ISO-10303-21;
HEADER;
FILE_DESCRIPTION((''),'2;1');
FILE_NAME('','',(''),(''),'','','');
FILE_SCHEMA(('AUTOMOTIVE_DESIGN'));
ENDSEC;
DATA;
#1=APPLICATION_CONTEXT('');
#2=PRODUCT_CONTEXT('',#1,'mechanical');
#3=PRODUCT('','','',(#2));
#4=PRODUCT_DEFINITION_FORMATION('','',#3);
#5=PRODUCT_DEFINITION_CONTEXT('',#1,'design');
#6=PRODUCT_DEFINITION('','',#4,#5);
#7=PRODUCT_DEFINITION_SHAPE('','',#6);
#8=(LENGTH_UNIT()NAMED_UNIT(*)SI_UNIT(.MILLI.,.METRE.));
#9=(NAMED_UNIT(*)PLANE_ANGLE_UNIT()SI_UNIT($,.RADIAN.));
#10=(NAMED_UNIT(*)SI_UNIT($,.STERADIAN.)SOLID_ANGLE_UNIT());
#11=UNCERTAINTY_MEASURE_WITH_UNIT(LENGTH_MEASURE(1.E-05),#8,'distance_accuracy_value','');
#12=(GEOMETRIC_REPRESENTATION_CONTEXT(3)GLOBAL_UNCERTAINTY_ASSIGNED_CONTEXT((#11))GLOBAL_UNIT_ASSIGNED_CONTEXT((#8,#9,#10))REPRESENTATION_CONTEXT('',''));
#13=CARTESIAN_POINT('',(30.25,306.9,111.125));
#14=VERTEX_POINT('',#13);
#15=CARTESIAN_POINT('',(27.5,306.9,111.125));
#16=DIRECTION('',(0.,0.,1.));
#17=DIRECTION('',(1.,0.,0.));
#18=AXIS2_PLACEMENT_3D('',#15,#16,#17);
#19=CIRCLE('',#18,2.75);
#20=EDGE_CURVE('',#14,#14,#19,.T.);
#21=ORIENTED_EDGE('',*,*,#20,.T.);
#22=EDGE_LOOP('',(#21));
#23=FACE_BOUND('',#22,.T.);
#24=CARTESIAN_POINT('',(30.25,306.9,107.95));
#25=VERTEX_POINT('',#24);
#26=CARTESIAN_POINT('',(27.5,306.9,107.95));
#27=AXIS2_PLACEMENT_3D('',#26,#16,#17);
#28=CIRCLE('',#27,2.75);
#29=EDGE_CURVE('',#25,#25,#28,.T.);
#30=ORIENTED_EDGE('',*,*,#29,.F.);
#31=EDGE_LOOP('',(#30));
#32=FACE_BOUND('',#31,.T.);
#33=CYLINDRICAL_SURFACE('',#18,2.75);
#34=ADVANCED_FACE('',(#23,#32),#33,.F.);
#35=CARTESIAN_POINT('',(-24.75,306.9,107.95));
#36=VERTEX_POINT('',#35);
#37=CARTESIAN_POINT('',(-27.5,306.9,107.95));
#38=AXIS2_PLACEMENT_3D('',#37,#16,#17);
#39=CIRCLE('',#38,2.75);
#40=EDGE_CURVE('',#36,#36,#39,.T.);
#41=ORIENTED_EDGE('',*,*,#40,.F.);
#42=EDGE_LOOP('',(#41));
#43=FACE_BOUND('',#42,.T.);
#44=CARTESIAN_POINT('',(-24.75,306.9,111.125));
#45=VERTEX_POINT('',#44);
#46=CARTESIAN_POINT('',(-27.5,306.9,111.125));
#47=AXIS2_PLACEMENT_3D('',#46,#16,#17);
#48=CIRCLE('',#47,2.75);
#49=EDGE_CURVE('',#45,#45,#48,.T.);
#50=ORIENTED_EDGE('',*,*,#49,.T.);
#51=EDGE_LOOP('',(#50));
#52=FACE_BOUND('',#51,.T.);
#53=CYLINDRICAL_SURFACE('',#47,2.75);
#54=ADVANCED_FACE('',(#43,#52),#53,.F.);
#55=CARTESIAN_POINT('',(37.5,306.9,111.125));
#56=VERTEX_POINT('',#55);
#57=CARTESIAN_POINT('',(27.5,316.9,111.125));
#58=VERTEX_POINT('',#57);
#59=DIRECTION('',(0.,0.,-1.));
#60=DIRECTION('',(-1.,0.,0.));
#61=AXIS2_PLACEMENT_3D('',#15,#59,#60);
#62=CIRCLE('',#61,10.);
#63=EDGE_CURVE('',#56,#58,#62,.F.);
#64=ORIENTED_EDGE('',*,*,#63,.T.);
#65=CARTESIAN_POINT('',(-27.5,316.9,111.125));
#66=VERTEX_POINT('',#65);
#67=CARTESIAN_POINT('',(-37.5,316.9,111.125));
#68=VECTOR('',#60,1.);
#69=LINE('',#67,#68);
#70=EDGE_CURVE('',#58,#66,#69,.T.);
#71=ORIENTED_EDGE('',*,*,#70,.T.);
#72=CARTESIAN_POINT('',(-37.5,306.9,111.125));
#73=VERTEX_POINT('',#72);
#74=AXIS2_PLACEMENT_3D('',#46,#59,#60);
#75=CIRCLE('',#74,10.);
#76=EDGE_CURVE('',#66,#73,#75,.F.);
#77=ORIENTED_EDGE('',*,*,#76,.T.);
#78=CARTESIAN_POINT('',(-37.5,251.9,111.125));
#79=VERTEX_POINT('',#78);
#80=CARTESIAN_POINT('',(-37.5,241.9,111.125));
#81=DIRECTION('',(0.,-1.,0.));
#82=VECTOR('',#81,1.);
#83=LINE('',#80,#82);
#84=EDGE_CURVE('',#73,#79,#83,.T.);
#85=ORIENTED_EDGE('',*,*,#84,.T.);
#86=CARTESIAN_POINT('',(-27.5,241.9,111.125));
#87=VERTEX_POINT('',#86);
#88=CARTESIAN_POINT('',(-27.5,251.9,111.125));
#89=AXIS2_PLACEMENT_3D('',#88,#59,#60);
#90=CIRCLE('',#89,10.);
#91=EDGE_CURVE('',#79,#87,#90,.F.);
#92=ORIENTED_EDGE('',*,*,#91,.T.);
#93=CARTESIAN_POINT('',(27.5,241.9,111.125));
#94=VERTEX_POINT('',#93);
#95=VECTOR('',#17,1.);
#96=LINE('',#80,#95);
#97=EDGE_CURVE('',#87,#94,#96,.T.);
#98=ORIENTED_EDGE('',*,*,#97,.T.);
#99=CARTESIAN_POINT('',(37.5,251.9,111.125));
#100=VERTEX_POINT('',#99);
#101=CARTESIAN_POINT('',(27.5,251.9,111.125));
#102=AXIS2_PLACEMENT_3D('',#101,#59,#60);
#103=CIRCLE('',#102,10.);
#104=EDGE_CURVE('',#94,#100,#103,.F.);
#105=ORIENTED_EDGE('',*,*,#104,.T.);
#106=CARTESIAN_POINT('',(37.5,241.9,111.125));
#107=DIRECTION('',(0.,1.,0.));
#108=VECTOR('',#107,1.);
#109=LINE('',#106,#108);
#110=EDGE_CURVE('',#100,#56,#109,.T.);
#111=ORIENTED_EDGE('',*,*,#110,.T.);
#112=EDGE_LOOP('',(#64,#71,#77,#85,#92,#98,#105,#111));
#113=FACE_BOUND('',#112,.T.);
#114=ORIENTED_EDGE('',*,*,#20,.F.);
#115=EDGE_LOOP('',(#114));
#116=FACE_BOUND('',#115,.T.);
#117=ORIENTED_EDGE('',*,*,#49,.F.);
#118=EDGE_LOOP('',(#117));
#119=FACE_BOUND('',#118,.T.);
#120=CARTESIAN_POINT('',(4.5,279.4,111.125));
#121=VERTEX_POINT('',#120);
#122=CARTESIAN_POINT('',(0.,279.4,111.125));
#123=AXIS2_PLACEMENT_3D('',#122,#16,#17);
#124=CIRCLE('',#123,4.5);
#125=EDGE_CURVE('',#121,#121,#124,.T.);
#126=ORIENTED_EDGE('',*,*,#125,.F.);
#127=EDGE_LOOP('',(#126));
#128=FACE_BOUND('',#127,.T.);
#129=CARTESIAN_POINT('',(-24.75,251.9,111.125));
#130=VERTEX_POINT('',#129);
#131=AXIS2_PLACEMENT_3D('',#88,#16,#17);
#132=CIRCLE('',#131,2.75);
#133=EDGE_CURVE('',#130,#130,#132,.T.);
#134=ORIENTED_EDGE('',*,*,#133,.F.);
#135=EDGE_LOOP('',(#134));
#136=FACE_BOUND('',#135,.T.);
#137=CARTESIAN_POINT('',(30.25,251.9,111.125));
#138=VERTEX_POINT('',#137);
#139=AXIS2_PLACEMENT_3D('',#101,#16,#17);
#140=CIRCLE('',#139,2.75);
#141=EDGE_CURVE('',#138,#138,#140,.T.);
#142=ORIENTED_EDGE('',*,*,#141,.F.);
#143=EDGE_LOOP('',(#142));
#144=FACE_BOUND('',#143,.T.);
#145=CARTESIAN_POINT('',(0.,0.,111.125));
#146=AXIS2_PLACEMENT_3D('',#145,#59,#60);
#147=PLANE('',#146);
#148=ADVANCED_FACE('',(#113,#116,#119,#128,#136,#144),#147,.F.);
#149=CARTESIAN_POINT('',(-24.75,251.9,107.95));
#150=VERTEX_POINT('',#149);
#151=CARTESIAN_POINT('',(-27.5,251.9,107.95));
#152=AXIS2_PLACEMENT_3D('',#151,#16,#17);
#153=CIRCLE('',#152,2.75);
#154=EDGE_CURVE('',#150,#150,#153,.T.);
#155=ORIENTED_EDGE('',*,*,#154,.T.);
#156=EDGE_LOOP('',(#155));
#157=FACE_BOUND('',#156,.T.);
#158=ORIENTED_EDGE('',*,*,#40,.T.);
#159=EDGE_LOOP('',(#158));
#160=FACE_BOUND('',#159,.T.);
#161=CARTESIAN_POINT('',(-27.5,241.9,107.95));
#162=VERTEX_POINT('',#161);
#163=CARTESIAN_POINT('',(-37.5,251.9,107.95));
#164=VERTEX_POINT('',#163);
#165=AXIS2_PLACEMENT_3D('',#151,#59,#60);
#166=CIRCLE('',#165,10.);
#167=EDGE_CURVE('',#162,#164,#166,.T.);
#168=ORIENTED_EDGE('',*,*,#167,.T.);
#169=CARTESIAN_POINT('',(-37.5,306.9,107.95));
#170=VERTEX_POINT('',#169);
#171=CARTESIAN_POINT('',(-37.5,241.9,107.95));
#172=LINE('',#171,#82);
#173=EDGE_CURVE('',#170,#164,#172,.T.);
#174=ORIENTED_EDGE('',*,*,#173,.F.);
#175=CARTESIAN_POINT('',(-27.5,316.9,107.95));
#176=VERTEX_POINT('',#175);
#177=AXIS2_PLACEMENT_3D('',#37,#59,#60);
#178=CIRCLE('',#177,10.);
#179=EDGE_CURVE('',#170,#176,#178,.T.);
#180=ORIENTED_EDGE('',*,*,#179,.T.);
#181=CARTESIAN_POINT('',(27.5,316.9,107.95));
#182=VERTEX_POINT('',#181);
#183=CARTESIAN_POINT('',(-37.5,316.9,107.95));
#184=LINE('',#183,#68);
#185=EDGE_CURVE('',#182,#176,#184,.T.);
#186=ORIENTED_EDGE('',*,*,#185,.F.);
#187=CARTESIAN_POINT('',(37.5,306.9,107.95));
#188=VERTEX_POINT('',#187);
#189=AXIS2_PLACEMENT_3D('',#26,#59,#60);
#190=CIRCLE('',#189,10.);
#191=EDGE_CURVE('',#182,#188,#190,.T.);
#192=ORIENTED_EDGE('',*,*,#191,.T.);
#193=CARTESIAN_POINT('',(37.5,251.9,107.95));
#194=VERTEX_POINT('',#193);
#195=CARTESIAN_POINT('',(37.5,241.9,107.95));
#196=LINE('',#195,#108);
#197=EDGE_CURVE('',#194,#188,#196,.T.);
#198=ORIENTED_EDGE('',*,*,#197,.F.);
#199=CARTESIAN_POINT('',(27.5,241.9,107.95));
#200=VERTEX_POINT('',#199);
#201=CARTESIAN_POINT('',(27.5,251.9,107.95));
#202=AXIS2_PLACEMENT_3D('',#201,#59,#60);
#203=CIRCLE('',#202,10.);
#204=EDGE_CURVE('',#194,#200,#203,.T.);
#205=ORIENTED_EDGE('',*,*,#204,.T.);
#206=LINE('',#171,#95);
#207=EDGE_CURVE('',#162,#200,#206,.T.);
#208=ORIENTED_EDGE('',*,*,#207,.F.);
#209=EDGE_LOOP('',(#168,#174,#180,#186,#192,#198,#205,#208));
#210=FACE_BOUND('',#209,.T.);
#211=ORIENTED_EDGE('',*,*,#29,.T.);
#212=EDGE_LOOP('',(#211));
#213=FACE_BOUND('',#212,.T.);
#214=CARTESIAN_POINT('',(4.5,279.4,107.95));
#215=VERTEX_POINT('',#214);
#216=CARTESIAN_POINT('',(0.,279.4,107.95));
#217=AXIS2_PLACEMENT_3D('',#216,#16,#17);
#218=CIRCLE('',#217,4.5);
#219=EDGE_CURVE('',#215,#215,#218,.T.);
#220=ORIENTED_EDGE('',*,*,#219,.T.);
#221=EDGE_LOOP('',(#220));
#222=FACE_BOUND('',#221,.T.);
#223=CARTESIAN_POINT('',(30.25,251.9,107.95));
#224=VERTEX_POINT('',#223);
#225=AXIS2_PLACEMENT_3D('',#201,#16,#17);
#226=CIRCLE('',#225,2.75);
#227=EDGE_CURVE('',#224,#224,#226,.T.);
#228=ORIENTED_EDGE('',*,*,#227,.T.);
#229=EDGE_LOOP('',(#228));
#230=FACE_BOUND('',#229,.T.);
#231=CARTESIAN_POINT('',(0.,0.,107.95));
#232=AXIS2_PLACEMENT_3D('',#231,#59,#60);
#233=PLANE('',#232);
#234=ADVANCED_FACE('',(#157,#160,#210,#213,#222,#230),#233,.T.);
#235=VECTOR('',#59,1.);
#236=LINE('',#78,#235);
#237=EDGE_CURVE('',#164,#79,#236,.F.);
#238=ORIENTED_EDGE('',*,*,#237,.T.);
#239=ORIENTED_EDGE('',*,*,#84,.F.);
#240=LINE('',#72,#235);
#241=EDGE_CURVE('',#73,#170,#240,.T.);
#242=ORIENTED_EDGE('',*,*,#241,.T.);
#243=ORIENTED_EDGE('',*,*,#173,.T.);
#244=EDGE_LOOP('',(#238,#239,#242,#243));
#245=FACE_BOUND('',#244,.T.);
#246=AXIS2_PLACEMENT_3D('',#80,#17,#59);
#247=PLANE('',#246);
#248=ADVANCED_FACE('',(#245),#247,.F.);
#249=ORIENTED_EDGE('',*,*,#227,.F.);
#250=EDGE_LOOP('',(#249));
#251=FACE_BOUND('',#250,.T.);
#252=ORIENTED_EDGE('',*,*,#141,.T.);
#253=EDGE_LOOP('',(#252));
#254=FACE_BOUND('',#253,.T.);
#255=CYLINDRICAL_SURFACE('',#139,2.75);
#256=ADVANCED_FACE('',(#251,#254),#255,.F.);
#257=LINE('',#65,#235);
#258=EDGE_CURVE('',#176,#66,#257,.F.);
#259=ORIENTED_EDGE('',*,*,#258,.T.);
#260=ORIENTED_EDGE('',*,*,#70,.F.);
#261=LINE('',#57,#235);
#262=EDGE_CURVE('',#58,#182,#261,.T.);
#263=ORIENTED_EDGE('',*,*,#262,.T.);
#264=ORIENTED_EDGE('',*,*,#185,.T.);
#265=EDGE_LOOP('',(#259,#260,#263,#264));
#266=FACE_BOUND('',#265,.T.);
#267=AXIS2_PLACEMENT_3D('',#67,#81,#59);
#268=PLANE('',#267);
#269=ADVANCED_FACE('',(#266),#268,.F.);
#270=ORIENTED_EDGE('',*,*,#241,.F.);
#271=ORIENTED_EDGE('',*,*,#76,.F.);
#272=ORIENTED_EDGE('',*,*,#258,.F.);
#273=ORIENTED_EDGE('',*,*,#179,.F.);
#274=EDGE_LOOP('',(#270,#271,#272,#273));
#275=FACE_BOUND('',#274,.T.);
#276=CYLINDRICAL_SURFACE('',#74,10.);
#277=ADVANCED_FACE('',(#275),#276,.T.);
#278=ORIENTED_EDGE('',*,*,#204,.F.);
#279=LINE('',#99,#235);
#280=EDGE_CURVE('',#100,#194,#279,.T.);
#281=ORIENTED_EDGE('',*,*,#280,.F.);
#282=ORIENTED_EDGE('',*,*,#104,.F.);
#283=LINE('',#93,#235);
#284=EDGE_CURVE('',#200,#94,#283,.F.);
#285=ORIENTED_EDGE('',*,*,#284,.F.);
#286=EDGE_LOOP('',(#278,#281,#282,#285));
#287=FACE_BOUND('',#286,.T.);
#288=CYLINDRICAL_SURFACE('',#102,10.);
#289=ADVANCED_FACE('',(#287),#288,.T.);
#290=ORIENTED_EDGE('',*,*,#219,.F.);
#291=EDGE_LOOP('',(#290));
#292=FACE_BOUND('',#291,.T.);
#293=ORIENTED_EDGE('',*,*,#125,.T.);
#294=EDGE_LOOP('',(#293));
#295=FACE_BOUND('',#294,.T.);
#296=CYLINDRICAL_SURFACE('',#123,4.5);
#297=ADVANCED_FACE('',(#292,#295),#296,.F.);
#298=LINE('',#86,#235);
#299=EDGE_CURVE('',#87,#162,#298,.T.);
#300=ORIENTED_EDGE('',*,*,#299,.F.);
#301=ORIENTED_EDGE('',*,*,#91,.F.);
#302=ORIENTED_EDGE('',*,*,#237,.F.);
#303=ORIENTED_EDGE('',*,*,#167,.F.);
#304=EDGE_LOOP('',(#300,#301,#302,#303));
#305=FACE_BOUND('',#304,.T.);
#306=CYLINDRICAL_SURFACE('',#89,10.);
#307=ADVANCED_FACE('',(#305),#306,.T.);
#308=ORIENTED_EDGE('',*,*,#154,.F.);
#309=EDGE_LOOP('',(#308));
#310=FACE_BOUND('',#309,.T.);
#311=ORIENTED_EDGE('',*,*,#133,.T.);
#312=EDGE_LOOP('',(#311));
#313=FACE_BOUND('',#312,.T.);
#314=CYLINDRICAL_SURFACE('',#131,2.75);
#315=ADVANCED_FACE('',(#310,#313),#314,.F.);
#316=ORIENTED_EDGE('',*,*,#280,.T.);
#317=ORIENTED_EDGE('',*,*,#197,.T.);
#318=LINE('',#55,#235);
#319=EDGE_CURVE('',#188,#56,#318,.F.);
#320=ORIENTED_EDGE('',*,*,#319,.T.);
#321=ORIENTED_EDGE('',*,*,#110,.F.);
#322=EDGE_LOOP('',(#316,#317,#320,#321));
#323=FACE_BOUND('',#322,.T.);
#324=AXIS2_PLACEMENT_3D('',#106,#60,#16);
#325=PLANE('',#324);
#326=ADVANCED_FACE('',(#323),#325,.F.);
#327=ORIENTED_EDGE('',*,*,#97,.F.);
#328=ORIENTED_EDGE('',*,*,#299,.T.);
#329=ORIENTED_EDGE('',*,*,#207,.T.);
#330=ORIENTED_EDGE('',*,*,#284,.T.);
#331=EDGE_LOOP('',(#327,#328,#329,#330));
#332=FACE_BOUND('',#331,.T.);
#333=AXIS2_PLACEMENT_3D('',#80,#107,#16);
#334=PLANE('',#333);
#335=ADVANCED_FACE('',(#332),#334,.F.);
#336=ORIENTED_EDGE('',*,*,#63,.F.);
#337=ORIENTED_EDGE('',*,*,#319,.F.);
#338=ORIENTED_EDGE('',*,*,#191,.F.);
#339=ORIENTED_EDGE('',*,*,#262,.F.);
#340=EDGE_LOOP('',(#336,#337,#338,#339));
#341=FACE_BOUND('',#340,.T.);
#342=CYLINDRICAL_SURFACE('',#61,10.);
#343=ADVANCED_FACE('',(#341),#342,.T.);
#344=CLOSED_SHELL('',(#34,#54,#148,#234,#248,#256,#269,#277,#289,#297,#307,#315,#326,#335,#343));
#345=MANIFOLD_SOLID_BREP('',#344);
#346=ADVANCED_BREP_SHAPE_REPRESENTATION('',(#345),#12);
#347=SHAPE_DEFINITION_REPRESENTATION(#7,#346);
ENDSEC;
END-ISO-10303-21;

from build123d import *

# Parameters (mm, degrees)
SKETCH1_W            = 75
SKETCH1_H            = 75
BOSS_EXTRUDE1_DEPTH  = 3.175
M8_CLEARANCE_HOLE1_D = 9
M5_CLEARANCE_HOLE1_D = 5.5
FILLET1_R            = 10


with BuildPart() as part:
    # Sketch1 → Boss-Extrude1 (new body)
    with BuildSketch(Plane.XY.offset(107.95)):
        with Locations((0, 279.4)):
            Rectangle(SKETCH1_W, SKETCH1_H)
    extrude(amount=BOSS_EXTRUDE1_DEPTH)

    # M8 Clearance Hole1 (through all)
    with Locations(Plane.XY.offset(111.125)):
        with Locations((0, 279.4)):
            Hole(M8_CLEARANCE_HOLE1_D / 2)

    # M5 Clearance Hole1 (through all)
    with Locations(Plane.XY.offset(111.125)):
        with Locations((-27.5, 306.9), (27.5, 306.9), (27.5, 251.9), (-27.5, 251.9)):
            Hole(M5_CLEARANCE_HOLE1_D / 2)

    # Fillet1
    fillet1_edges = [part.edges().sort_by_distance(p)[0] for p in [
        (37.5, 241.9, 109.5375),
        (-37.5, 241.9, 109.5375),
        (-37.5, 316.9, 109.5375),
        (37.5, 316.9, 109.5375),
    ]]
    fillet(fillet1_edges, radius=FILLET1_R)


solid = part.part
